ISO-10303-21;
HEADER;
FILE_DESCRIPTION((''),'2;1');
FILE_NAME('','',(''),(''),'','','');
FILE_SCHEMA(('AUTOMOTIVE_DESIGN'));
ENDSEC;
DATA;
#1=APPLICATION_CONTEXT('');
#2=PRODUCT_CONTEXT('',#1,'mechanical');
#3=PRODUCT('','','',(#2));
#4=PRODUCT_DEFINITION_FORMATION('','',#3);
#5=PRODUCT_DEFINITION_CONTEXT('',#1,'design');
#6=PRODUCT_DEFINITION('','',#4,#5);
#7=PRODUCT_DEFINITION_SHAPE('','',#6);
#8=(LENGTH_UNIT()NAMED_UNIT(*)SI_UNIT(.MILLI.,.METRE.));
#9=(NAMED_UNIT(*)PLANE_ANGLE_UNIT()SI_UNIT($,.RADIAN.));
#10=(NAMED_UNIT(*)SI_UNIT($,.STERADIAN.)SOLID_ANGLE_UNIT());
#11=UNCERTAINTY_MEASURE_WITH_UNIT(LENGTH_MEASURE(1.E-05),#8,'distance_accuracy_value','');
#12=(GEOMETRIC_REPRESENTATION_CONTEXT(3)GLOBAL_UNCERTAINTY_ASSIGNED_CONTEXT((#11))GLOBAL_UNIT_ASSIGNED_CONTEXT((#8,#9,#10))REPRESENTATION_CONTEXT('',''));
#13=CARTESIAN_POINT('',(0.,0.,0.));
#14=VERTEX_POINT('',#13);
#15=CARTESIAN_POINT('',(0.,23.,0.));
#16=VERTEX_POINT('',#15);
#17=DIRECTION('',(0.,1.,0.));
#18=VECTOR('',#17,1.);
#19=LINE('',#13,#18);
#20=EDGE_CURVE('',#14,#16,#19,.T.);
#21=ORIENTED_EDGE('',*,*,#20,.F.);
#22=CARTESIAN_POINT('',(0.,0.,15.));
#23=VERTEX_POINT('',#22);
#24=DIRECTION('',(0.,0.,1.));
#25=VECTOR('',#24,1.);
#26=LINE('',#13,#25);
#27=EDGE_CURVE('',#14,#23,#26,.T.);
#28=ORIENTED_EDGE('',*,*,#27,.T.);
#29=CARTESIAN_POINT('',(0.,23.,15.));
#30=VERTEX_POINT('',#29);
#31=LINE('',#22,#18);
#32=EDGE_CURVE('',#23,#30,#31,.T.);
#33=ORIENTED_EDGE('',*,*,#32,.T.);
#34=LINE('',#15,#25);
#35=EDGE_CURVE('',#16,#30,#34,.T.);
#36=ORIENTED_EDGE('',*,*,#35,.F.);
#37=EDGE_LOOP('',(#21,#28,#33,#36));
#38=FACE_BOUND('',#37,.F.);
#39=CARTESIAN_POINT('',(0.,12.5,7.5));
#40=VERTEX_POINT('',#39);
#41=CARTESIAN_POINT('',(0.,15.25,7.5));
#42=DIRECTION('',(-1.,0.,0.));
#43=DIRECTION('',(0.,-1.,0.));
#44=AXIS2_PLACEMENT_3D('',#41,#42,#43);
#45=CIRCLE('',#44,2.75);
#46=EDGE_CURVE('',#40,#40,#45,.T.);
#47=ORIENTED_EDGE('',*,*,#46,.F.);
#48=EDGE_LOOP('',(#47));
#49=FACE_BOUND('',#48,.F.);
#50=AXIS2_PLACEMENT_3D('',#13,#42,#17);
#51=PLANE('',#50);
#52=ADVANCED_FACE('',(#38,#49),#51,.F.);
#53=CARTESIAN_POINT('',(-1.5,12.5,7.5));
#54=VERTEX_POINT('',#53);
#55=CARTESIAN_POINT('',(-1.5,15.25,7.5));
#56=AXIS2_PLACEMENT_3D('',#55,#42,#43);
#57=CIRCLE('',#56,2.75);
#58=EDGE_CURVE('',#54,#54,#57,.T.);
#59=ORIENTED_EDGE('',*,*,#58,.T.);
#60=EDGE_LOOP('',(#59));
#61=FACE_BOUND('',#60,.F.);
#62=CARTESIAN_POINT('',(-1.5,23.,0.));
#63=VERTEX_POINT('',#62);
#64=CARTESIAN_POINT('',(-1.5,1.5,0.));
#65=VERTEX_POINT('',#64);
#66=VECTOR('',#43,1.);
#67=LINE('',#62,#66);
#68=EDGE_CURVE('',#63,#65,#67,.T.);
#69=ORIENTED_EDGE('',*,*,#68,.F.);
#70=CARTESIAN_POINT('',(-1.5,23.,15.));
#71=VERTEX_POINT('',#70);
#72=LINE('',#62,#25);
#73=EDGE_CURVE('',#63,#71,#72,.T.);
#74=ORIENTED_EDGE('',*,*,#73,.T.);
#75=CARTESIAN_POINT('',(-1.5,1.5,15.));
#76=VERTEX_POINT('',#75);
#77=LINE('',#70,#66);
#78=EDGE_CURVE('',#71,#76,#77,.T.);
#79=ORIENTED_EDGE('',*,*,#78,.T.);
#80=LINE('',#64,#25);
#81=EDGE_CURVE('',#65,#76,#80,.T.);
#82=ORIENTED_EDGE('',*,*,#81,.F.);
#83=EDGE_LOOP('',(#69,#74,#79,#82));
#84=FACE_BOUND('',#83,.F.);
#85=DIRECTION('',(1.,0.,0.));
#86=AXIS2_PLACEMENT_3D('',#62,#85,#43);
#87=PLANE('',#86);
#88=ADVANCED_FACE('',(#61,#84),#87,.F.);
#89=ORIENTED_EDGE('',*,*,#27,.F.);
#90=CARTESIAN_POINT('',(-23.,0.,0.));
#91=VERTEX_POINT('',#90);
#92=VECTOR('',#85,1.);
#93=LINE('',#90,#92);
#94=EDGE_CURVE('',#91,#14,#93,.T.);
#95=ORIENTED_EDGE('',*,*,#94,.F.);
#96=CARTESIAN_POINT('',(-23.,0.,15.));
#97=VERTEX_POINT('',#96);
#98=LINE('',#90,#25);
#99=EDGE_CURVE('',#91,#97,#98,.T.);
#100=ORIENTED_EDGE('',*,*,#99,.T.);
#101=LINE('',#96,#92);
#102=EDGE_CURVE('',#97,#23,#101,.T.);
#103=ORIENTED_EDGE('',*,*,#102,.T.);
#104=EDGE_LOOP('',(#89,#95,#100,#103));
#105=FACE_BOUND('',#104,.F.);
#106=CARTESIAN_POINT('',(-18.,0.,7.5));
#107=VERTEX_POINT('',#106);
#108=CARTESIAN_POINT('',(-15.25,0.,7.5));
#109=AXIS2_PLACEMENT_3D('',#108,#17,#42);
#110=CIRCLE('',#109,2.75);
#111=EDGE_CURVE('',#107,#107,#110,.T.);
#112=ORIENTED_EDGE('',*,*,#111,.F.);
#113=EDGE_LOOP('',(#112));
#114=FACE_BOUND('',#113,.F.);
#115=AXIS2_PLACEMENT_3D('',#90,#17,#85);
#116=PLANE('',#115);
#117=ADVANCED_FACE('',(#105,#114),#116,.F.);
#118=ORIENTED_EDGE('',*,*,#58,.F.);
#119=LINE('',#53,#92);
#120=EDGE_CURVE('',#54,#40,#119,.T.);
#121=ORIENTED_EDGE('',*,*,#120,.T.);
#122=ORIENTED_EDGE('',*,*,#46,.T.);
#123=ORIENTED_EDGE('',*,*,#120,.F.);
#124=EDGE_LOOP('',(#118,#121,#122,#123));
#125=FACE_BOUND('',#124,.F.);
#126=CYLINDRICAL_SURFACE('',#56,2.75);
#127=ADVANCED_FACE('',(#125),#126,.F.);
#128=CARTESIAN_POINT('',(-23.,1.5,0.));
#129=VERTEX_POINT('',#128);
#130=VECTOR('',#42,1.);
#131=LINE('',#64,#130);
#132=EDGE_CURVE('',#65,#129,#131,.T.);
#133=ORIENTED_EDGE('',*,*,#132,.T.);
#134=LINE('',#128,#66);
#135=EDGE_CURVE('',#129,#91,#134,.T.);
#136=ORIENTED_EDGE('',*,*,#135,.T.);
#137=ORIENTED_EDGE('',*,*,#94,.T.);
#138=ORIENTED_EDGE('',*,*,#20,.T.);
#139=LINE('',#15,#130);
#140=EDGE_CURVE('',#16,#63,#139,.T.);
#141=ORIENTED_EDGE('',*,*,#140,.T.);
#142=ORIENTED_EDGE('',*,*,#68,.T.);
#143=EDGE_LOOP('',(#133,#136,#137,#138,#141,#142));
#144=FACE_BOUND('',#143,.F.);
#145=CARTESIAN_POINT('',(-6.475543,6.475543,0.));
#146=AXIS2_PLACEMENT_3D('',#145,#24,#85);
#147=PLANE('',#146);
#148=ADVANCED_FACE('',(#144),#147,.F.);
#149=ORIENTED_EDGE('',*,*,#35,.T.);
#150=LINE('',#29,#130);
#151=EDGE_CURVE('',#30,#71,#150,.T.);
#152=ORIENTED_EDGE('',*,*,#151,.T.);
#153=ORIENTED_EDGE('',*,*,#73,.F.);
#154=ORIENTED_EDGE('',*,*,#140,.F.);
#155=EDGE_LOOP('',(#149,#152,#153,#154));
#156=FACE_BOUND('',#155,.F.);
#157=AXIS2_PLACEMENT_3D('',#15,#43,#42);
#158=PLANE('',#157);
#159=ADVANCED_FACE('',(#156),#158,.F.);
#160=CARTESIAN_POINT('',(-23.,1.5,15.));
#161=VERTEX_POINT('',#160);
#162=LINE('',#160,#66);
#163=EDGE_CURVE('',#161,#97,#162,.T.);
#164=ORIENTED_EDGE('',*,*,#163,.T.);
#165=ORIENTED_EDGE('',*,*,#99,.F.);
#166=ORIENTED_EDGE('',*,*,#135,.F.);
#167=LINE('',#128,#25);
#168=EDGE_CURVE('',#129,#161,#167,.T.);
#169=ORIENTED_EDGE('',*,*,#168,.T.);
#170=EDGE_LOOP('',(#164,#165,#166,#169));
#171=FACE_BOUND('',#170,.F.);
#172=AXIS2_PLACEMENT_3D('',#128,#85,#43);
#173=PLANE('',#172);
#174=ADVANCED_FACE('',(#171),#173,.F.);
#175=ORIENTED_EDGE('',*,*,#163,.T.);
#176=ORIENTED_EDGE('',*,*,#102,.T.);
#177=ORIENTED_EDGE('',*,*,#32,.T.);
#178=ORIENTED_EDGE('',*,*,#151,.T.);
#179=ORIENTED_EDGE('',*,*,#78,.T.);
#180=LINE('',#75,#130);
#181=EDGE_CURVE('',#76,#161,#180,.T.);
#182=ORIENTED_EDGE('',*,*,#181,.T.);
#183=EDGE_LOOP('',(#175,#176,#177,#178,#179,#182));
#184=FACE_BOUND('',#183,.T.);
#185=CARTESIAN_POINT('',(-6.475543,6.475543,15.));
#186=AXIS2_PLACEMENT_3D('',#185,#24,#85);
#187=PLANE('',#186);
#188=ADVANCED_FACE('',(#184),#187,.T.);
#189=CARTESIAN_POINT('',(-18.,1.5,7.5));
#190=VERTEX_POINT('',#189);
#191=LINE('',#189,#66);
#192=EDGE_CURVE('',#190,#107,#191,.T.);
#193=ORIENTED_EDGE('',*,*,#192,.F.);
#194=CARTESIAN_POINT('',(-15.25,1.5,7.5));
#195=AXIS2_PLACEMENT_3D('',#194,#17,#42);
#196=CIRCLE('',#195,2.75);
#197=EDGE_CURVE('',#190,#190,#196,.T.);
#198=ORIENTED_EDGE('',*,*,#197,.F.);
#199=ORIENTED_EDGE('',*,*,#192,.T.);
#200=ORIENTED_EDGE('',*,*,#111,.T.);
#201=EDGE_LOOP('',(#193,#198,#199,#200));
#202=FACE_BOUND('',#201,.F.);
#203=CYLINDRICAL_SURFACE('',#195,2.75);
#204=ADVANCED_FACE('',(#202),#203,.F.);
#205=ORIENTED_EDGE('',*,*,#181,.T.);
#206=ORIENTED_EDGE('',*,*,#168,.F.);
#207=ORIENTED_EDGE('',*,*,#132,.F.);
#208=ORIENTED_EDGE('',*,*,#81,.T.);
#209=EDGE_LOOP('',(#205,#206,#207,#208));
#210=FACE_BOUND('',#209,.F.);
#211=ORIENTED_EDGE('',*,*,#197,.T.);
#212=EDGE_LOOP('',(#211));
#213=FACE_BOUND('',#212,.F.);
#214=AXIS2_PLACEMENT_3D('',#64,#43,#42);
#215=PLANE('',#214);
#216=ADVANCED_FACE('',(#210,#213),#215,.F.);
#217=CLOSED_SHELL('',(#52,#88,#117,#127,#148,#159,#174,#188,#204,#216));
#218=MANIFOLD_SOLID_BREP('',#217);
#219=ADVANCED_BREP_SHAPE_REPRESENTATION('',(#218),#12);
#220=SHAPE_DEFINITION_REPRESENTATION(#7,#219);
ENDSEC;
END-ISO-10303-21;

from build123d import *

# Parameters (mm, degrees)
PAD_DEPTH       = 15
SKETCH001_R     = 2.75
POCKET_DEPTH    = 1.5
SKETCH002_R     = 2.75
POCKET001_DEPTH = 1.501


with BuildPart() as part:
    # Sketch → Pad (new body)
    with BuildSketch(Plane.XY):
        Polygon((-1.5, 1.5), (-23, 1.5), (-23, 0), (0, 0), (0, 23), (-1.5, 23), align=None)
    extrude(amount=PAD_DEPTH)

    # Sketch001 → Pocket (cut)
    with BuildSketch(Plane(origin=(0, 1.5, 0), x_dir=(-1, 0, 0), z_dir=(0, 1, 0))):
        with Locations((15.25, 7.5)):
            Circle(SKETCH001_R)
    extrude(amount=-POCKET_DEPTH, mode=Mode.SUBTRACT)

    # Sketch002 → Pocket001 (cut, through all)
    with BuildSketch(Plane(origin=(-1.5, 0, 0), x_dir=(0, -1, 0), z_dir=(-1, 0, 0))):
        with Locations((-15.25, 7.5)):
            Circle(SKETCH002_R)
    extrude(amount=-POCKET001_DEPTH, mode=Mode.SUBTRACT)


solid = part.part
